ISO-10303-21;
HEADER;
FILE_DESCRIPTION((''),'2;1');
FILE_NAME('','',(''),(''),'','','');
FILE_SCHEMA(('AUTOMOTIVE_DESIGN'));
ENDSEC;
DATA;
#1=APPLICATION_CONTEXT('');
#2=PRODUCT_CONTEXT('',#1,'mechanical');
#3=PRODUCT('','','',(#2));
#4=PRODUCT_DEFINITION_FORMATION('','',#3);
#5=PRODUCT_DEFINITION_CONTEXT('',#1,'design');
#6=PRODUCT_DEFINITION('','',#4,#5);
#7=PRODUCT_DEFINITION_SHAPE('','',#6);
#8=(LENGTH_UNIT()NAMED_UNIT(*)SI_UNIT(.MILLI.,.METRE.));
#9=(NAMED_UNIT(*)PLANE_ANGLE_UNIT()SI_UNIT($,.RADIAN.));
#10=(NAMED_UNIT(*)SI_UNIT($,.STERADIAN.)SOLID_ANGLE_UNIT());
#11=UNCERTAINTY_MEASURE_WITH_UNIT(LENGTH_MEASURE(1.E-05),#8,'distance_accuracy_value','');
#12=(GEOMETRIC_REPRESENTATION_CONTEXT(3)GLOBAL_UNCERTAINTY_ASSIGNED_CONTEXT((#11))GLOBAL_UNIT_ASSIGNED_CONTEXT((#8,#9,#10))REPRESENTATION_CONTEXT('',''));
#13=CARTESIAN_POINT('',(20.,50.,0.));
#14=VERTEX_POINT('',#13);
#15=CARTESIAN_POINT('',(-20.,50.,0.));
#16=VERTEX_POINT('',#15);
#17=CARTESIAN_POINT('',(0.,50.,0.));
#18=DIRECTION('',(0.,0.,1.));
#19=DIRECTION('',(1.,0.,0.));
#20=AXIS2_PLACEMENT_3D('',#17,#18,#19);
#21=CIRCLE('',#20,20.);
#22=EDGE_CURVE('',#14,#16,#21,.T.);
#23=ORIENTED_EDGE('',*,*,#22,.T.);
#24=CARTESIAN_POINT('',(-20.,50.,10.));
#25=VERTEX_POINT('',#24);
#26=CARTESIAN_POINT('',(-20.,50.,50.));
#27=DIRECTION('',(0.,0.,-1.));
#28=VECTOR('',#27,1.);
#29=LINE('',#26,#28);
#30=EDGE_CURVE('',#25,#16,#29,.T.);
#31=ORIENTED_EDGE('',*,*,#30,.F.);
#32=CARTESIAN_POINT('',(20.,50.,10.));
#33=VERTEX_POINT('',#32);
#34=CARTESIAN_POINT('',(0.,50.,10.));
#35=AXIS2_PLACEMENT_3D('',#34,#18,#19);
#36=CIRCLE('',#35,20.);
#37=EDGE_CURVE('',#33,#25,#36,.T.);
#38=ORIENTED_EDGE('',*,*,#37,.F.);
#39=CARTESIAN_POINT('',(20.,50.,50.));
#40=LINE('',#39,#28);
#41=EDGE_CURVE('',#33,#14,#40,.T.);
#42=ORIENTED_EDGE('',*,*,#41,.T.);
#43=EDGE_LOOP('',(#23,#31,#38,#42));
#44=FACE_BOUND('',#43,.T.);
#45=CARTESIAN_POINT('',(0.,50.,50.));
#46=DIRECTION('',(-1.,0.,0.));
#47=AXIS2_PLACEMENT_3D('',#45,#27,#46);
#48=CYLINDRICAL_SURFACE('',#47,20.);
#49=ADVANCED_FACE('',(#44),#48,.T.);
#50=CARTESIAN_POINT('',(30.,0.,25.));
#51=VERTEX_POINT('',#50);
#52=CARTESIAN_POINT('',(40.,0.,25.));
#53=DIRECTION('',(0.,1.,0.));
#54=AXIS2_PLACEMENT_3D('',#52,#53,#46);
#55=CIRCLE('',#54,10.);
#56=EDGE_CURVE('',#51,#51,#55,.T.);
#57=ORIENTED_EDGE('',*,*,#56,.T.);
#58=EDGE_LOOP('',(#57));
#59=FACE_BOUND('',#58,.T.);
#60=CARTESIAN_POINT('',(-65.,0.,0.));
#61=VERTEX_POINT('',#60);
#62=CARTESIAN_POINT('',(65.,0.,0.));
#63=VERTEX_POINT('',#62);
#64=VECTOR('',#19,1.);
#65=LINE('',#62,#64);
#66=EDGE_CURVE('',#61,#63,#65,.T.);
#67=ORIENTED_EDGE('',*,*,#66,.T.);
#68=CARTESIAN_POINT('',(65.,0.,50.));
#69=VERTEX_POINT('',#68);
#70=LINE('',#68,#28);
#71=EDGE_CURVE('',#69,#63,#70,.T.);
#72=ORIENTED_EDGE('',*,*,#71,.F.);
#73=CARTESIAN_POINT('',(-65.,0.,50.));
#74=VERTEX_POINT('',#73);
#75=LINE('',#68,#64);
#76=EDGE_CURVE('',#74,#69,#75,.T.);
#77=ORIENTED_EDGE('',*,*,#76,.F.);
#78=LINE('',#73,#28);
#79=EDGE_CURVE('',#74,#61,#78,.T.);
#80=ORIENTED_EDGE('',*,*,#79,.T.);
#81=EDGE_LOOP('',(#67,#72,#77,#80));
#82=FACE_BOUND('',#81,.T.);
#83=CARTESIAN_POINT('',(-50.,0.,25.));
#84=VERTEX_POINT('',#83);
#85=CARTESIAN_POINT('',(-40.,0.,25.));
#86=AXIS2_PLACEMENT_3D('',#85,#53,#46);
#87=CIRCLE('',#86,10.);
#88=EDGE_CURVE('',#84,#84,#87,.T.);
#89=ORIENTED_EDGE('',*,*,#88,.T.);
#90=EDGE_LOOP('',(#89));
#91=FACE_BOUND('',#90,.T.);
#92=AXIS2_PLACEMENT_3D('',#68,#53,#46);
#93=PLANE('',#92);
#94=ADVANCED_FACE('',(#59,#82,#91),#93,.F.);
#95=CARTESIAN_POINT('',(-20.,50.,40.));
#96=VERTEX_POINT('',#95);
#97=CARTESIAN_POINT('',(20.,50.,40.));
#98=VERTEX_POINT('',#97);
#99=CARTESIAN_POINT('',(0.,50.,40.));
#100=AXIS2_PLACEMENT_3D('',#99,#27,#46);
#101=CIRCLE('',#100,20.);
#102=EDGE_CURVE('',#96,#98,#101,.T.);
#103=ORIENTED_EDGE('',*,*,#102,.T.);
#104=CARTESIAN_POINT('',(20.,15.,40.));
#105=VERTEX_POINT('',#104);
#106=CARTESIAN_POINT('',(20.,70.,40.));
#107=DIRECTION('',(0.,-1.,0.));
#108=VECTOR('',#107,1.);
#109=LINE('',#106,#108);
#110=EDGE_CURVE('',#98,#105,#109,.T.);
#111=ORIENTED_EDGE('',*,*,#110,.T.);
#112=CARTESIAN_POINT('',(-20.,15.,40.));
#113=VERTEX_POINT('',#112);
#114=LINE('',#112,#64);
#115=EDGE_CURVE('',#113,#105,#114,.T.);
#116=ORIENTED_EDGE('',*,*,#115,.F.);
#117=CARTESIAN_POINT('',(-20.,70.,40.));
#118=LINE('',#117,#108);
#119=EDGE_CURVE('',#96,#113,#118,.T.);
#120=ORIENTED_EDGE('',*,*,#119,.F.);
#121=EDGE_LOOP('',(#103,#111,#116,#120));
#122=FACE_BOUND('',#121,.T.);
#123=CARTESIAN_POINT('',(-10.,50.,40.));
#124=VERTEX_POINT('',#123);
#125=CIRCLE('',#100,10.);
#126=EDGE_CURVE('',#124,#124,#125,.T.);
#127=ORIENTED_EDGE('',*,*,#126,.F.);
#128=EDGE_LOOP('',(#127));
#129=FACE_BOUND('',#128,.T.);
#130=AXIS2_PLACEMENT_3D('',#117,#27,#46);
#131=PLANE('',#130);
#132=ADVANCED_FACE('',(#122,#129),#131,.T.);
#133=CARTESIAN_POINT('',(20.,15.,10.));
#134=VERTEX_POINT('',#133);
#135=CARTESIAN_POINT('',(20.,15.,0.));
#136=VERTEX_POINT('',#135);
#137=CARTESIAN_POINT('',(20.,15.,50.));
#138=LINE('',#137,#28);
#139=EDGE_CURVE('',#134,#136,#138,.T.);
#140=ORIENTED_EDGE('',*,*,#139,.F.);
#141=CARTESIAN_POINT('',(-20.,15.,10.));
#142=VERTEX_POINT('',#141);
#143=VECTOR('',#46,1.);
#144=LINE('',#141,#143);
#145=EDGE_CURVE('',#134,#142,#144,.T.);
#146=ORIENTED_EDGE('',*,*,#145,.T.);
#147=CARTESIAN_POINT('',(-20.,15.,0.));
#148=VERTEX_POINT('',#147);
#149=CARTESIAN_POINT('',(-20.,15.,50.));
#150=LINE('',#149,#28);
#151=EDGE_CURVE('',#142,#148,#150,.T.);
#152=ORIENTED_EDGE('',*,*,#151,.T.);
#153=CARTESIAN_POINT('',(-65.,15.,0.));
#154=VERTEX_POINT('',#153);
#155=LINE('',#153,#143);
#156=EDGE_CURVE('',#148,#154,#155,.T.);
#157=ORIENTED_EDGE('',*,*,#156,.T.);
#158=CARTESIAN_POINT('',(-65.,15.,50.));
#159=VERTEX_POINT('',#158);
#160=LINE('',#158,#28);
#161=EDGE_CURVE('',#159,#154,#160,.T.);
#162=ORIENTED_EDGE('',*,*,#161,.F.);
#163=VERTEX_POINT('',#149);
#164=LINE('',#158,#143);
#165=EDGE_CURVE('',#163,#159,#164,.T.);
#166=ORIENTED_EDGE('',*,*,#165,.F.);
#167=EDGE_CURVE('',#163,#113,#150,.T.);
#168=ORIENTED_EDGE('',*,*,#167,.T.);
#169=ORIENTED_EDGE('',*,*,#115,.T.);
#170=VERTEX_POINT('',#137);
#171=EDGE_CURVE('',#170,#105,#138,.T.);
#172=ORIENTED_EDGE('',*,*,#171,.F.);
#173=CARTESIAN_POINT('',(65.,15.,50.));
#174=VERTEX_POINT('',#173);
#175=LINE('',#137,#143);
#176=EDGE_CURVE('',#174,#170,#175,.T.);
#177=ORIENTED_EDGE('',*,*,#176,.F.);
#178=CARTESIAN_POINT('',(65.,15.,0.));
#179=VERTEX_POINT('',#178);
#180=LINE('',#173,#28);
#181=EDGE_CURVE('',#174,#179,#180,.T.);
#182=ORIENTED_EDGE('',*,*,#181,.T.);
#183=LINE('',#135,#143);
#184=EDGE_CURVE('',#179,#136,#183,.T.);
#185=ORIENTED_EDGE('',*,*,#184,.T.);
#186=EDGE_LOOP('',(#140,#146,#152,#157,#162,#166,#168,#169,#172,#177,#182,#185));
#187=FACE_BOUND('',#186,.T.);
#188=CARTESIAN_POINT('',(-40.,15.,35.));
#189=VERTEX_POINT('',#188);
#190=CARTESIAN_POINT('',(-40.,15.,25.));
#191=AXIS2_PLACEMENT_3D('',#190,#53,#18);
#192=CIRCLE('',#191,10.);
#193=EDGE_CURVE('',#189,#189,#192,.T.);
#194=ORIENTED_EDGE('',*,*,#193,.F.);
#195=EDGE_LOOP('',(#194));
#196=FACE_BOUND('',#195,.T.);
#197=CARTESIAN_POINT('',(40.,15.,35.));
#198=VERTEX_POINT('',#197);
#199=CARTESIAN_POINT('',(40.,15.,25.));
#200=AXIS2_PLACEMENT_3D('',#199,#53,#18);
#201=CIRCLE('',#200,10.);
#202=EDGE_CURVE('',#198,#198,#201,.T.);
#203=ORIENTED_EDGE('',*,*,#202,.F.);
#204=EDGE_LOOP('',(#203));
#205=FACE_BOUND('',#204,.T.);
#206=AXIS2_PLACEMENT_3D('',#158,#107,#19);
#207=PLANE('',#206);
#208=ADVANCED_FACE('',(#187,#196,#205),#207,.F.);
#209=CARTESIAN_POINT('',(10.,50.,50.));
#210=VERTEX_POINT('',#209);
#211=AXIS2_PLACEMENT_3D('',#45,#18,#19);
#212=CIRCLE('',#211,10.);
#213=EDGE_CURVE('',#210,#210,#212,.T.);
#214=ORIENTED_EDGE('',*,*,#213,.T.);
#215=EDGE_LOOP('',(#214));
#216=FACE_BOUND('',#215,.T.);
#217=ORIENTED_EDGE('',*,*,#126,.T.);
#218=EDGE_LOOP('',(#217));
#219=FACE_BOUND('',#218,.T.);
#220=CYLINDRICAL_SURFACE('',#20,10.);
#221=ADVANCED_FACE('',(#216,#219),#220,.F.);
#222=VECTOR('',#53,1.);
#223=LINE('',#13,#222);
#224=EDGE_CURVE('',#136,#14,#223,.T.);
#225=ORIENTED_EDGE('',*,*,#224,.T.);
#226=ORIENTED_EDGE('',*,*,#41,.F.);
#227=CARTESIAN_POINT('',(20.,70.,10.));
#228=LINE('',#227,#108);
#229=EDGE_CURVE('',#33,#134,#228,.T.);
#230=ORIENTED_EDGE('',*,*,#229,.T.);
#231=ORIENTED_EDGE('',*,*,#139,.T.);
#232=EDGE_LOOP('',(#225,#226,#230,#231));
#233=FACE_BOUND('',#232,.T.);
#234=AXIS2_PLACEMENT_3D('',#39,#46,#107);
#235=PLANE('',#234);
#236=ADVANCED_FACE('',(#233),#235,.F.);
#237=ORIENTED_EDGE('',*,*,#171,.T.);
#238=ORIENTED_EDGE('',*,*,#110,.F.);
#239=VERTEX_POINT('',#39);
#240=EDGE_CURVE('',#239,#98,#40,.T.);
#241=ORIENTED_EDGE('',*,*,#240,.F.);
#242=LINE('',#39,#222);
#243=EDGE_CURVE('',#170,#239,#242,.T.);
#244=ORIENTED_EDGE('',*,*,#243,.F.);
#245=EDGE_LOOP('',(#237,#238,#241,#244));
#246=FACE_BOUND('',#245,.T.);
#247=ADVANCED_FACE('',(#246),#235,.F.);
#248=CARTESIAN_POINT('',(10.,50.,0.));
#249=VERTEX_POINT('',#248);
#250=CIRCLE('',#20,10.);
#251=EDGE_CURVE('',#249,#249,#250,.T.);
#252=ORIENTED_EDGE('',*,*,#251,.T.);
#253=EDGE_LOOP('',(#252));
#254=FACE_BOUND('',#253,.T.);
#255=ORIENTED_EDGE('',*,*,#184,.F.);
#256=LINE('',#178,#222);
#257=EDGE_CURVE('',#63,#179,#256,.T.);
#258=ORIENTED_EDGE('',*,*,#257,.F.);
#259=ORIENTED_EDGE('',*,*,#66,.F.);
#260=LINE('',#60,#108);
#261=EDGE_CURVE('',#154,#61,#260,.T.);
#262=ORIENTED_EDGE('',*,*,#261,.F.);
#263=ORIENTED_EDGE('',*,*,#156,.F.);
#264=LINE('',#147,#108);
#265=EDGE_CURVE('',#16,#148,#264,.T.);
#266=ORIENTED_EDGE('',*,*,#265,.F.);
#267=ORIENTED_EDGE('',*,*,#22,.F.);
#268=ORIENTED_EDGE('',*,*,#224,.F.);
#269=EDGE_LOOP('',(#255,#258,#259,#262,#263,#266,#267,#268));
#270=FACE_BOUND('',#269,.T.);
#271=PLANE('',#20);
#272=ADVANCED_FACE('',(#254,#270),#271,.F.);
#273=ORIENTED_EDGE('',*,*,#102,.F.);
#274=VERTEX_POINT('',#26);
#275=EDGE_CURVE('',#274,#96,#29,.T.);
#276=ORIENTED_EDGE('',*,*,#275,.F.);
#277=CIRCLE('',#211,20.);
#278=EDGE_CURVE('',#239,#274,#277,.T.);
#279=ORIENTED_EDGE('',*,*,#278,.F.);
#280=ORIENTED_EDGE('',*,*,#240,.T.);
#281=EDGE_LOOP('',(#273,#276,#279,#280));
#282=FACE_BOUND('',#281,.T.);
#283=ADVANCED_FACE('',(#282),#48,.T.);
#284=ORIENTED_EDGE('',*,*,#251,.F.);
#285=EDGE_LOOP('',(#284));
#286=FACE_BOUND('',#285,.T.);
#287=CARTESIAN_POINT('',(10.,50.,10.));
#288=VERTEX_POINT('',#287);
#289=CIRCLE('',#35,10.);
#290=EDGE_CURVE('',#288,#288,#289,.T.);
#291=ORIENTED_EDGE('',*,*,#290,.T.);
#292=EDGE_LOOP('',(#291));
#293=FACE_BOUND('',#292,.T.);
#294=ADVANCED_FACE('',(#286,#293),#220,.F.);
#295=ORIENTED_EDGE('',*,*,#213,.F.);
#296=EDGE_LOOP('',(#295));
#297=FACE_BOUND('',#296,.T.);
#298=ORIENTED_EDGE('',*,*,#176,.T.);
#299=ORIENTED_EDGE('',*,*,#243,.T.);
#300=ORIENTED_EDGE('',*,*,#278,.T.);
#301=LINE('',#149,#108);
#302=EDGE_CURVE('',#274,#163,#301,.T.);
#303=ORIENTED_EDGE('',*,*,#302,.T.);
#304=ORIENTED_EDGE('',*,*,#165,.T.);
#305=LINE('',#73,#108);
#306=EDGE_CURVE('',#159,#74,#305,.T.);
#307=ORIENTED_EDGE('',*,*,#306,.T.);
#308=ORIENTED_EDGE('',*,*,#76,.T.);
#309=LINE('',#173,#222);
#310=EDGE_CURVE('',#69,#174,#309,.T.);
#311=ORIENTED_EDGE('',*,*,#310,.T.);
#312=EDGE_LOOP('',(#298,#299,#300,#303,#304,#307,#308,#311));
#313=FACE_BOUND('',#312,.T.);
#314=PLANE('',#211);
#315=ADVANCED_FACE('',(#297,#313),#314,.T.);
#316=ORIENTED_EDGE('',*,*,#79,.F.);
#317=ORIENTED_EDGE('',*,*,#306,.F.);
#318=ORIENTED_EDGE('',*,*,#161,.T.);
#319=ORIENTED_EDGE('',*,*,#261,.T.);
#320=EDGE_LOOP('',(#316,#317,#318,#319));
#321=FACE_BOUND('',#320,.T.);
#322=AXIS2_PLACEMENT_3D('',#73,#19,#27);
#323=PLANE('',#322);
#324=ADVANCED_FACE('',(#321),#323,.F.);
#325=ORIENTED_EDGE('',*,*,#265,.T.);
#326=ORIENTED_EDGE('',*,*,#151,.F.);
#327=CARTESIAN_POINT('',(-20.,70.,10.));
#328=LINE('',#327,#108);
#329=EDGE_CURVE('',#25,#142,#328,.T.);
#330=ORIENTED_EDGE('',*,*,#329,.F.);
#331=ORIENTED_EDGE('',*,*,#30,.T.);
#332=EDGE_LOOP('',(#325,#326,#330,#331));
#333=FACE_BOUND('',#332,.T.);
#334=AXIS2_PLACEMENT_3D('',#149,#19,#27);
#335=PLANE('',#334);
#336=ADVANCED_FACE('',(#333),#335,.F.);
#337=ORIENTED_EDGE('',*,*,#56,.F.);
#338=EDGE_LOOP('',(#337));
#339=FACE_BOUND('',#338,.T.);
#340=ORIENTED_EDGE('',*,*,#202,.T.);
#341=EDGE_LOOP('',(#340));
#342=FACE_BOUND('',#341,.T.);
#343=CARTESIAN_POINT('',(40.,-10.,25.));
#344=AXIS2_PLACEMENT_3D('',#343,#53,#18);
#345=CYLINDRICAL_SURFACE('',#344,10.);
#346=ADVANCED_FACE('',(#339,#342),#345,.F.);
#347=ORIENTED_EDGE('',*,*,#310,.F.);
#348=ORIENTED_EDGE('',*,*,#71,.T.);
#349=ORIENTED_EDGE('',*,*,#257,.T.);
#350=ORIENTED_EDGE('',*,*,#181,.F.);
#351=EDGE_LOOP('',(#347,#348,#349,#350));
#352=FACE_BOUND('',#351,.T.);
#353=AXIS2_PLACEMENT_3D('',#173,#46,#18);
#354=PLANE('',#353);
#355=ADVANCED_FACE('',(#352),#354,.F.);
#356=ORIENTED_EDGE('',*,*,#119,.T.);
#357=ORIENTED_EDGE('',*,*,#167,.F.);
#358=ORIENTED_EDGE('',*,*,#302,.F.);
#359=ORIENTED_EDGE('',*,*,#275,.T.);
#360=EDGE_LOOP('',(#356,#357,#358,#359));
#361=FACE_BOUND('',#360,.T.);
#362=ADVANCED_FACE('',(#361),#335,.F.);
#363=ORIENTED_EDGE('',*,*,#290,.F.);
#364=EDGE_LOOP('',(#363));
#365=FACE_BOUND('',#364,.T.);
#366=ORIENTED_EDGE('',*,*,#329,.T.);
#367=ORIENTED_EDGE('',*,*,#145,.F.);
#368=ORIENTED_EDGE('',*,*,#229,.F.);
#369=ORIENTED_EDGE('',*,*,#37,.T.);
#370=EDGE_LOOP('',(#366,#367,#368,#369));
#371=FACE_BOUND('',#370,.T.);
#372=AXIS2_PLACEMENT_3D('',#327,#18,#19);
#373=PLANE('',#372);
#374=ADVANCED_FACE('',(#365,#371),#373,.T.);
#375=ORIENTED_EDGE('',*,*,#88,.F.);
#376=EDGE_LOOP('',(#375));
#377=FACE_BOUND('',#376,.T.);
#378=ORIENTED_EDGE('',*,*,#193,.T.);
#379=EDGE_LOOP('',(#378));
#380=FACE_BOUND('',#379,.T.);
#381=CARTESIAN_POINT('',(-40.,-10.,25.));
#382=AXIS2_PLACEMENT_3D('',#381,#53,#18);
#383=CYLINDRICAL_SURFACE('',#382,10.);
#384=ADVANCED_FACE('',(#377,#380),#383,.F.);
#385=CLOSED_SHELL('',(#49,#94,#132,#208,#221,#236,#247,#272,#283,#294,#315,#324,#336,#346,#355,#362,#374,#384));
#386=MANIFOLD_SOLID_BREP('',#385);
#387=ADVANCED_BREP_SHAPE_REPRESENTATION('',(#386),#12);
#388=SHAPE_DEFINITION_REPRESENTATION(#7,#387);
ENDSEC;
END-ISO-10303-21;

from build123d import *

# Parameters (mm, degrees)
BOSS_EXTRUDE1_DEPTH = 50
SKETCH2_R           = 10
CUT_EXTRUDE1_DEPTH  = 25
SKETCH2_3_R         = 10
CUT_EXTRUDE2_DEPTH  = 25
SKETCH3_W           = 40
SKETCH3_H           = 30
CUT_EXTRUDE3_DEPTH  = 99.742088291
SKETCH4_R           = 10
CUT_EXTRUDE4_DEPTH  = 108.819293264


with BuildPart() as part:
    # Sketch1 → Boss-Extrude1 (new body)
    with BuildSketch(Plane.XY):
        with BuildLine():
            Line((-65, 0), (-65, 15))
            Line((-65, 15), (-20, 15))
            Line((-20, 15), (-20, 50))
            ThreePointArc((-20, 50), (0, 70), (20, 50))
            Line((20, 50), (20, 15))
            Line((20, 15), (65, 15))
            Line((65, 15), (65, 0))
            Line((65, 0), (-65, 0))
        make_face()
    extrude(amount=BOSS_EXTRUDE1_DEPTH)

    # Sketch2 → Cut-Extrude1 (cut)
    with BuildSketch(Plane(origin=(0, 15, 0), x_dir=(1, 0, 0), z_dir=(0, 1, 0))):
        with Locations((-40, -25)):
            Circle(SKETCH2_R)
    extrude(amount=-CUT_EXTRUDE1_DEPTH, mode=Mode.SUBTRACT)

    # Sketch2<3> → Cut-Extrude2 (cut)
    with BuildSketch(Plane(origin=(0, 15, 0), x_dir=(1, 0, 0), z_dir=(0, 1, 0))):
        with Locations((40, -25)):
            Circle(SKETCH2_3_R)
    extrude(amount=-CUT_EXTRUDE2_DEPTH, mode=Mode.SUBTRACT)

    # Sketch3 → Cut-Extrude3 (cut, through all)
    with BuildSketch(Plane(origin=(0, 15, 0), x_dir=(1, 0, 0), z_dir=(0, 1, 0))):
        with Locations((0, -25)):
            Rectangle(SKETCH3_W, SKETCH3_H)
    extrude(amount=CUT_EXTRUDE3_DEPTH, mode=Mode.SUBTRACT)

    # Sketch4 → Cut-Extrude4 (cut, through all)
    with BuildSketch(Plane.XY.offset(50)):
        with Locations((0, 50)):
            Circle(SKETCH4_R)
    extrude(amount=-CUT_EXTRUDE4_DEPTH, mode=Mode.SUBTRACT)


solid = part.part
